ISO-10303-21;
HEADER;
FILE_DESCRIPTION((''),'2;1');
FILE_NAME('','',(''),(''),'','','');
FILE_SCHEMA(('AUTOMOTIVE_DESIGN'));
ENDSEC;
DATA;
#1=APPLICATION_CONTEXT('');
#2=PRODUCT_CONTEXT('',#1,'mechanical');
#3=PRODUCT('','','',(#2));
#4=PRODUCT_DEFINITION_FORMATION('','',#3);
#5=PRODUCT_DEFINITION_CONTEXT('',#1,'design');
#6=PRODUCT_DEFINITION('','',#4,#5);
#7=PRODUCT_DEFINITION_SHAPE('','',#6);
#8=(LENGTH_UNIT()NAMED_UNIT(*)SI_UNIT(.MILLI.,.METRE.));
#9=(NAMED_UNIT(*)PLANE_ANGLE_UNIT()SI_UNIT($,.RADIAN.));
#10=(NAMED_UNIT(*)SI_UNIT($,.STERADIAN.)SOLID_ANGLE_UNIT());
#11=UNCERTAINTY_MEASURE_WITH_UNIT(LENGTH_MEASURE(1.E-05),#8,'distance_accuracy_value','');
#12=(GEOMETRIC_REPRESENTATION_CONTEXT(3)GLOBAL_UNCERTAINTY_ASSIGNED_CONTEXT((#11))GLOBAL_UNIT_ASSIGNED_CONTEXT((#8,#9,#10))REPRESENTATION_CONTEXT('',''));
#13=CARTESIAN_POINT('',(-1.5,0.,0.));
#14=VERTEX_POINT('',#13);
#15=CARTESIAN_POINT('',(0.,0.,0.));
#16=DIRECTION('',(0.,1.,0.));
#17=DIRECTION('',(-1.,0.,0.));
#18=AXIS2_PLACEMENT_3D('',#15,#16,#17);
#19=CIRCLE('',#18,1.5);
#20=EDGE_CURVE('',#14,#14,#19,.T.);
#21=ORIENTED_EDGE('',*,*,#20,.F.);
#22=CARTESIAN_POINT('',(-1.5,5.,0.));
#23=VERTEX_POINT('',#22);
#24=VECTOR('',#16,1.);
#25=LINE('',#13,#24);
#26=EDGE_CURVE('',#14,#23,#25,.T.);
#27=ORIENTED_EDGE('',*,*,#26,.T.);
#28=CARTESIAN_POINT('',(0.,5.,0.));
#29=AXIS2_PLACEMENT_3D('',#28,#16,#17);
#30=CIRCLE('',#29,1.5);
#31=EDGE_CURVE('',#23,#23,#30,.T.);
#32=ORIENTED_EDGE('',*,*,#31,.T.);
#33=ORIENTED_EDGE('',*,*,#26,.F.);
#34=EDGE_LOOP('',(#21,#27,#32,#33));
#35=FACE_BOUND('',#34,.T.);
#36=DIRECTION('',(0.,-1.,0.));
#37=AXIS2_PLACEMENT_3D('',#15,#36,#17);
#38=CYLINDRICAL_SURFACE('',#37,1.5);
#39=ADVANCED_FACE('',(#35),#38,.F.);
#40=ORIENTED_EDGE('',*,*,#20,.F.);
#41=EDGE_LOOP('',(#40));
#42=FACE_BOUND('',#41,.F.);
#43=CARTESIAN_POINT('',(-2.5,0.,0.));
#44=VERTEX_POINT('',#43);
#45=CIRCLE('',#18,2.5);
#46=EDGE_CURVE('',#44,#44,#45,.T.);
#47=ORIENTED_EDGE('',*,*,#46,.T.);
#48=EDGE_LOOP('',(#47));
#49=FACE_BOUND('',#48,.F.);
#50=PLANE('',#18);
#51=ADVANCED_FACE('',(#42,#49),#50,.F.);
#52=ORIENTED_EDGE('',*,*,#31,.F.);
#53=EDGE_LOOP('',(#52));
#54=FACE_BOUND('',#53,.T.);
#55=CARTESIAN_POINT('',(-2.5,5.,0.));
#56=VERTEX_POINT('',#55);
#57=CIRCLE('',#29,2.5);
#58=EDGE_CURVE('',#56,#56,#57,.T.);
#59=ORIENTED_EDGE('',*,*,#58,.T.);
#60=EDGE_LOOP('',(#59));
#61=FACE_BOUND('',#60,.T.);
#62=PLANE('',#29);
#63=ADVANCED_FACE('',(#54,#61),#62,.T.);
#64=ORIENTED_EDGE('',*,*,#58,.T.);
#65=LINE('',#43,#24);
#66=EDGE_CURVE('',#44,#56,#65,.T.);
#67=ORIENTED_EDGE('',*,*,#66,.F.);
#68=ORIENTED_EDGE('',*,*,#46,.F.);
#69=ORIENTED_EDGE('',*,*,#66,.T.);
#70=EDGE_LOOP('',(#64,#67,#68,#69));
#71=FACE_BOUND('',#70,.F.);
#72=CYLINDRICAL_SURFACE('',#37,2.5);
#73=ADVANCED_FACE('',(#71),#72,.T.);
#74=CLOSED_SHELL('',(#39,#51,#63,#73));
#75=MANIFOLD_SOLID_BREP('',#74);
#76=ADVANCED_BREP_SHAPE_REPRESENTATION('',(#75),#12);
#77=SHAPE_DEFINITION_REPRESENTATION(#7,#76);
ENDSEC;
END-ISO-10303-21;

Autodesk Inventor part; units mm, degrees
ref_plane "YZ Plane" through (0, 0, 0) normal (1, 0, 0) x (0, 1, 0)
ref_plane "XZ Plane" through (0, 0, 0) normal (0, 1, 0) x (-1, 0, 0)
ref_plane "XY Plane" through (0, 0, 0) normal (0, 0, 1) x (1, 0, 0)
sketch "Sketch1" plane through (0, 0, 0) normal (0, 1, 0) x (-1, 0, 0)
  circle A0 centre (0, 0) radius 2.5
  circle A1 centre (0, 0) radius 1.5
  dimension "d0" = 5
  dimension "d1" = 3
extrude "Extrusion1" add sketch "Sketch1" along normal blind 5
thread "Thread1" size "M3x0.5" class "6H" standard "ANSI Metric M Profile" full length
properties material "Steel"
